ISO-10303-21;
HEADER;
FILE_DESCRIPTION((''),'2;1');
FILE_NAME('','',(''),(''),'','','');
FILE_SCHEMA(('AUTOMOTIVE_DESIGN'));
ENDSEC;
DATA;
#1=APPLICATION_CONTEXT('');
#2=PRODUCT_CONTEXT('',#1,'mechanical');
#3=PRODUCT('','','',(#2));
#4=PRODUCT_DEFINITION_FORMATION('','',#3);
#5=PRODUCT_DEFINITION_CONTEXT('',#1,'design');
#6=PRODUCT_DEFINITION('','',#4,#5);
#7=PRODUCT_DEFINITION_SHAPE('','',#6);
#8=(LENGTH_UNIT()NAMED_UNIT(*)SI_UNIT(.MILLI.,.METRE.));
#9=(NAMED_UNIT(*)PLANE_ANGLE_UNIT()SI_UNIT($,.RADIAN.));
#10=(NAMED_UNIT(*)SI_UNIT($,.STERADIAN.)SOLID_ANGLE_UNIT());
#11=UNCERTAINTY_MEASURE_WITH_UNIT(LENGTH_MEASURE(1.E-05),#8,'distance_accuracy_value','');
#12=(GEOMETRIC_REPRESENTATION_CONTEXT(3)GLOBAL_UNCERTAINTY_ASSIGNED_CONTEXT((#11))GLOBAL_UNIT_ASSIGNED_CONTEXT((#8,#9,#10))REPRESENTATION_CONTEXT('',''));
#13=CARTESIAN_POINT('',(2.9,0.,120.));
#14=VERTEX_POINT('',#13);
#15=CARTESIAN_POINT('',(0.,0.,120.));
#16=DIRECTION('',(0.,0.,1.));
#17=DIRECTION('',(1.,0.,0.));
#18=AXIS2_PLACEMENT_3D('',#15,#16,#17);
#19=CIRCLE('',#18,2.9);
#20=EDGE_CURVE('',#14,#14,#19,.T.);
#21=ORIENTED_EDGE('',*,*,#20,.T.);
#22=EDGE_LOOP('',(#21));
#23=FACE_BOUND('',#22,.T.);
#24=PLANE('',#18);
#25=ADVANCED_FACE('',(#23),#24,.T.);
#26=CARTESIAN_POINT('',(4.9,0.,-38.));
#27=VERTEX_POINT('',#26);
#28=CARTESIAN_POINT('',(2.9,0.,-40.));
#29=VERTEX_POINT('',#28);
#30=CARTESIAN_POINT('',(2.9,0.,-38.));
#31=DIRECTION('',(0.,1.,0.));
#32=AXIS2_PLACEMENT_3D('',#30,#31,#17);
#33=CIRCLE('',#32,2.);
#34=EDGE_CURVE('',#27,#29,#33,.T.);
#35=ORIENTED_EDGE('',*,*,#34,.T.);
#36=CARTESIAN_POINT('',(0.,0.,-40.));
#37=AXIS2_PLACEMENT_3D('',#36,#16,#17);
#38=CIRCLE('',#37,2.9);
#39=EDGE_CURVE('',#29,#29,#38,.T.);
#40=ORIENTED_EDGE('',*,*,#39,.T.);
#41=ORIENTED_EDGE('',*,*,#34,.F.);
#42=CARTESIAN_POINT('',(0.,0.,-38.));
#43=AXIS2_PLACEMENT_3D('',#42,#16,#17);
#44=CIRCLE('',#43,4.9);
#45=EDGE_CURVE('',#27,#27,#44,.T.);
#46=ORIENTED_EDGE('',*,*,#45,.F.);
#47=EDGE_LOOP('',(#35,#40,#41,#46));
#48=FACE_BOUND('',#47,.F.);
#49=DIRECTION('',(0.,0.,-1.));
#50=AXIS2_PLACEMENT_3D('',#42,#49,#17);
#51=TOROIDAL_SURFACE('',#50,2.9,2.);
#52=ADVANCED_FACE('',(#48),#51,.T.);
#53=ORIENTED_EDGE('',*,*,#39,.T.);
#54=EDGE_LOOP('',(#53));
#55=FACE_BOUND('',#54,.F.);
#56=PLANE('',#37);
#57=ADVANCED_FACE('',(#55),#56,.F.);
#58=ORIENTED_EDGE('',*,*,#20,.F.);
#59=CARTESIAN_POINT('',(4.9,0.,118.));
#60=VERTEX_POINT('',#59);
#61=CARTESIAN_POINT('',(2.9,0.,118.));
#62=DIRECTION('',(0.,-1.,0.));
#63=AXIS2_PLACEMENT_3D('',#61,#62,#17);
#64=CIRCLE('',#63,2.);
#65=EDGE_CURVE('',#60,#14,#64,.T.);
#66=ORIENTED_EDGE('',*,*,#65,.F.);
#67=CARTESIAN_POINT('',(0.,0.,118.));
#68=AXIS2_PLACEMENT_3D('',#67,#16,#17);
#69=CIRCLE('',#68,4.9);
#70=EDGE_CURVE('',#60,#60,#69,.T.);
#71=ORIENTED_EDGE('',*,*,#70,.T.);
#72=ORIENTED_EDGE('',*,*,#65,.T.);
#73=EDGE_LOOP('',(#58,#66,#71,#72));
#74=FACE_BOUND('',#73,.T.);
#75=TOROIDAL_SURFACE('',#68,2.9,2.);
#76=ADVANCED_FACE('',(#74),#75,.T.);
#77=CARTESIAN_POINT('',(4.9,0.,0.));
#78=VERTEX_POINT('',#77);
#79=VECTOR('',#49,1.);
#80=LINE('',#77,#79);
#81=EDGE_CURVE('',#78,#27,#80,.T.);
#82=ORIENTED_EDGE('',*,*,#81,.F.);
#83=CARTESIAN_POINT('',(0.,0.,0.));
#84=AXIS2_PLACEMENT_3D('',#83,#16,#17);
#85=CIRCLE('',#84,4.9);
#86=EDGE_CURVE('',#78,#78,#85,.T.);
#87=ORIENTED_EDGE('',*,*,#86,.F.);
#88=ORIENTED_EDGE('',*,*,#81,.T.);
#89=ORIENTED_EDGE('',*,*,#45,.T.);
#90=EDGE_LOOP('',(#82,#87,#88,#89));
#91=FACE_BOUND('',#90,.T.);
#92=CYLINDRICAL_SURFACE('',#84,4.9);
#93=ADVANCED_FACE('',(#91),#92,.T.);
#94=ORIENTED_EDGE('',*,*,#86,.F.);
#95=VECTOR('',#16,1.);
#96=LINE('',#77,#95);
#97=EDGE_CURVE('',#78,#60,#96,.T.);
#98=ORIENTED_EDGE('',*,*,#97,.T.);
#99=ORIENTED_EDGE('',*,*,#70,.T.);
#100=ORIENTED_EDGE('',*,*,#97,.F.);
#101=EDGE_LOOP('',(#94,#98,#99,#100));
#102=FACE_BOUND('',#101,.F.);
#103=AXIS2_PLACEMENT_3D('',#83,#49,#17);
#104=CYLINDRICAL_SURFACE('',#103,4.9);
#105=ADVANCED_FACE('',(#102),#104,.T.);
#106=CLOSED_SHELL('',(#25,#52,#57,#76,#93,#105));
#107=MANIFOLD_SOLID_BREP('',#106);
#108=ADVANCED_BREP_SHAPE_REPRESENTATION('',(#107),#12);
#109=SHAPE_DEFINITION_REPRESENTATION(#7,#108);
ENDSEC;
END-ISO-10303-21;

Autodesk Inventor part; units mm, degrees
ref_plane "YZ Plane" through (0, 0, 0) normal (1, 0, 0) x (0, 1, 0)
ref_plane "XZ Plane" through (0, 0, 0) normal (0, 1, 0) x (-1, 0, 0)
ref_plane "XY Plane" through (0, 0, 0) normal (0, 0, 1) x (1, 0, 0)
sketch "Sketch1" plane through (0, 0, 0) normal (0, 0, 1) x (1, 0, 0)
  circle A0 centre (0, 0) radius 4.9
  dimension "d0" = 9.8
extrude "Extrusion1" add sketch "Sketch1" along normal blind 120 and the other way blind 40
fillet "Fillet1" radius 2 2 edges at (-4.9, 0, -40) (-4.9, 0, 120)
properties part number "LightPole"
